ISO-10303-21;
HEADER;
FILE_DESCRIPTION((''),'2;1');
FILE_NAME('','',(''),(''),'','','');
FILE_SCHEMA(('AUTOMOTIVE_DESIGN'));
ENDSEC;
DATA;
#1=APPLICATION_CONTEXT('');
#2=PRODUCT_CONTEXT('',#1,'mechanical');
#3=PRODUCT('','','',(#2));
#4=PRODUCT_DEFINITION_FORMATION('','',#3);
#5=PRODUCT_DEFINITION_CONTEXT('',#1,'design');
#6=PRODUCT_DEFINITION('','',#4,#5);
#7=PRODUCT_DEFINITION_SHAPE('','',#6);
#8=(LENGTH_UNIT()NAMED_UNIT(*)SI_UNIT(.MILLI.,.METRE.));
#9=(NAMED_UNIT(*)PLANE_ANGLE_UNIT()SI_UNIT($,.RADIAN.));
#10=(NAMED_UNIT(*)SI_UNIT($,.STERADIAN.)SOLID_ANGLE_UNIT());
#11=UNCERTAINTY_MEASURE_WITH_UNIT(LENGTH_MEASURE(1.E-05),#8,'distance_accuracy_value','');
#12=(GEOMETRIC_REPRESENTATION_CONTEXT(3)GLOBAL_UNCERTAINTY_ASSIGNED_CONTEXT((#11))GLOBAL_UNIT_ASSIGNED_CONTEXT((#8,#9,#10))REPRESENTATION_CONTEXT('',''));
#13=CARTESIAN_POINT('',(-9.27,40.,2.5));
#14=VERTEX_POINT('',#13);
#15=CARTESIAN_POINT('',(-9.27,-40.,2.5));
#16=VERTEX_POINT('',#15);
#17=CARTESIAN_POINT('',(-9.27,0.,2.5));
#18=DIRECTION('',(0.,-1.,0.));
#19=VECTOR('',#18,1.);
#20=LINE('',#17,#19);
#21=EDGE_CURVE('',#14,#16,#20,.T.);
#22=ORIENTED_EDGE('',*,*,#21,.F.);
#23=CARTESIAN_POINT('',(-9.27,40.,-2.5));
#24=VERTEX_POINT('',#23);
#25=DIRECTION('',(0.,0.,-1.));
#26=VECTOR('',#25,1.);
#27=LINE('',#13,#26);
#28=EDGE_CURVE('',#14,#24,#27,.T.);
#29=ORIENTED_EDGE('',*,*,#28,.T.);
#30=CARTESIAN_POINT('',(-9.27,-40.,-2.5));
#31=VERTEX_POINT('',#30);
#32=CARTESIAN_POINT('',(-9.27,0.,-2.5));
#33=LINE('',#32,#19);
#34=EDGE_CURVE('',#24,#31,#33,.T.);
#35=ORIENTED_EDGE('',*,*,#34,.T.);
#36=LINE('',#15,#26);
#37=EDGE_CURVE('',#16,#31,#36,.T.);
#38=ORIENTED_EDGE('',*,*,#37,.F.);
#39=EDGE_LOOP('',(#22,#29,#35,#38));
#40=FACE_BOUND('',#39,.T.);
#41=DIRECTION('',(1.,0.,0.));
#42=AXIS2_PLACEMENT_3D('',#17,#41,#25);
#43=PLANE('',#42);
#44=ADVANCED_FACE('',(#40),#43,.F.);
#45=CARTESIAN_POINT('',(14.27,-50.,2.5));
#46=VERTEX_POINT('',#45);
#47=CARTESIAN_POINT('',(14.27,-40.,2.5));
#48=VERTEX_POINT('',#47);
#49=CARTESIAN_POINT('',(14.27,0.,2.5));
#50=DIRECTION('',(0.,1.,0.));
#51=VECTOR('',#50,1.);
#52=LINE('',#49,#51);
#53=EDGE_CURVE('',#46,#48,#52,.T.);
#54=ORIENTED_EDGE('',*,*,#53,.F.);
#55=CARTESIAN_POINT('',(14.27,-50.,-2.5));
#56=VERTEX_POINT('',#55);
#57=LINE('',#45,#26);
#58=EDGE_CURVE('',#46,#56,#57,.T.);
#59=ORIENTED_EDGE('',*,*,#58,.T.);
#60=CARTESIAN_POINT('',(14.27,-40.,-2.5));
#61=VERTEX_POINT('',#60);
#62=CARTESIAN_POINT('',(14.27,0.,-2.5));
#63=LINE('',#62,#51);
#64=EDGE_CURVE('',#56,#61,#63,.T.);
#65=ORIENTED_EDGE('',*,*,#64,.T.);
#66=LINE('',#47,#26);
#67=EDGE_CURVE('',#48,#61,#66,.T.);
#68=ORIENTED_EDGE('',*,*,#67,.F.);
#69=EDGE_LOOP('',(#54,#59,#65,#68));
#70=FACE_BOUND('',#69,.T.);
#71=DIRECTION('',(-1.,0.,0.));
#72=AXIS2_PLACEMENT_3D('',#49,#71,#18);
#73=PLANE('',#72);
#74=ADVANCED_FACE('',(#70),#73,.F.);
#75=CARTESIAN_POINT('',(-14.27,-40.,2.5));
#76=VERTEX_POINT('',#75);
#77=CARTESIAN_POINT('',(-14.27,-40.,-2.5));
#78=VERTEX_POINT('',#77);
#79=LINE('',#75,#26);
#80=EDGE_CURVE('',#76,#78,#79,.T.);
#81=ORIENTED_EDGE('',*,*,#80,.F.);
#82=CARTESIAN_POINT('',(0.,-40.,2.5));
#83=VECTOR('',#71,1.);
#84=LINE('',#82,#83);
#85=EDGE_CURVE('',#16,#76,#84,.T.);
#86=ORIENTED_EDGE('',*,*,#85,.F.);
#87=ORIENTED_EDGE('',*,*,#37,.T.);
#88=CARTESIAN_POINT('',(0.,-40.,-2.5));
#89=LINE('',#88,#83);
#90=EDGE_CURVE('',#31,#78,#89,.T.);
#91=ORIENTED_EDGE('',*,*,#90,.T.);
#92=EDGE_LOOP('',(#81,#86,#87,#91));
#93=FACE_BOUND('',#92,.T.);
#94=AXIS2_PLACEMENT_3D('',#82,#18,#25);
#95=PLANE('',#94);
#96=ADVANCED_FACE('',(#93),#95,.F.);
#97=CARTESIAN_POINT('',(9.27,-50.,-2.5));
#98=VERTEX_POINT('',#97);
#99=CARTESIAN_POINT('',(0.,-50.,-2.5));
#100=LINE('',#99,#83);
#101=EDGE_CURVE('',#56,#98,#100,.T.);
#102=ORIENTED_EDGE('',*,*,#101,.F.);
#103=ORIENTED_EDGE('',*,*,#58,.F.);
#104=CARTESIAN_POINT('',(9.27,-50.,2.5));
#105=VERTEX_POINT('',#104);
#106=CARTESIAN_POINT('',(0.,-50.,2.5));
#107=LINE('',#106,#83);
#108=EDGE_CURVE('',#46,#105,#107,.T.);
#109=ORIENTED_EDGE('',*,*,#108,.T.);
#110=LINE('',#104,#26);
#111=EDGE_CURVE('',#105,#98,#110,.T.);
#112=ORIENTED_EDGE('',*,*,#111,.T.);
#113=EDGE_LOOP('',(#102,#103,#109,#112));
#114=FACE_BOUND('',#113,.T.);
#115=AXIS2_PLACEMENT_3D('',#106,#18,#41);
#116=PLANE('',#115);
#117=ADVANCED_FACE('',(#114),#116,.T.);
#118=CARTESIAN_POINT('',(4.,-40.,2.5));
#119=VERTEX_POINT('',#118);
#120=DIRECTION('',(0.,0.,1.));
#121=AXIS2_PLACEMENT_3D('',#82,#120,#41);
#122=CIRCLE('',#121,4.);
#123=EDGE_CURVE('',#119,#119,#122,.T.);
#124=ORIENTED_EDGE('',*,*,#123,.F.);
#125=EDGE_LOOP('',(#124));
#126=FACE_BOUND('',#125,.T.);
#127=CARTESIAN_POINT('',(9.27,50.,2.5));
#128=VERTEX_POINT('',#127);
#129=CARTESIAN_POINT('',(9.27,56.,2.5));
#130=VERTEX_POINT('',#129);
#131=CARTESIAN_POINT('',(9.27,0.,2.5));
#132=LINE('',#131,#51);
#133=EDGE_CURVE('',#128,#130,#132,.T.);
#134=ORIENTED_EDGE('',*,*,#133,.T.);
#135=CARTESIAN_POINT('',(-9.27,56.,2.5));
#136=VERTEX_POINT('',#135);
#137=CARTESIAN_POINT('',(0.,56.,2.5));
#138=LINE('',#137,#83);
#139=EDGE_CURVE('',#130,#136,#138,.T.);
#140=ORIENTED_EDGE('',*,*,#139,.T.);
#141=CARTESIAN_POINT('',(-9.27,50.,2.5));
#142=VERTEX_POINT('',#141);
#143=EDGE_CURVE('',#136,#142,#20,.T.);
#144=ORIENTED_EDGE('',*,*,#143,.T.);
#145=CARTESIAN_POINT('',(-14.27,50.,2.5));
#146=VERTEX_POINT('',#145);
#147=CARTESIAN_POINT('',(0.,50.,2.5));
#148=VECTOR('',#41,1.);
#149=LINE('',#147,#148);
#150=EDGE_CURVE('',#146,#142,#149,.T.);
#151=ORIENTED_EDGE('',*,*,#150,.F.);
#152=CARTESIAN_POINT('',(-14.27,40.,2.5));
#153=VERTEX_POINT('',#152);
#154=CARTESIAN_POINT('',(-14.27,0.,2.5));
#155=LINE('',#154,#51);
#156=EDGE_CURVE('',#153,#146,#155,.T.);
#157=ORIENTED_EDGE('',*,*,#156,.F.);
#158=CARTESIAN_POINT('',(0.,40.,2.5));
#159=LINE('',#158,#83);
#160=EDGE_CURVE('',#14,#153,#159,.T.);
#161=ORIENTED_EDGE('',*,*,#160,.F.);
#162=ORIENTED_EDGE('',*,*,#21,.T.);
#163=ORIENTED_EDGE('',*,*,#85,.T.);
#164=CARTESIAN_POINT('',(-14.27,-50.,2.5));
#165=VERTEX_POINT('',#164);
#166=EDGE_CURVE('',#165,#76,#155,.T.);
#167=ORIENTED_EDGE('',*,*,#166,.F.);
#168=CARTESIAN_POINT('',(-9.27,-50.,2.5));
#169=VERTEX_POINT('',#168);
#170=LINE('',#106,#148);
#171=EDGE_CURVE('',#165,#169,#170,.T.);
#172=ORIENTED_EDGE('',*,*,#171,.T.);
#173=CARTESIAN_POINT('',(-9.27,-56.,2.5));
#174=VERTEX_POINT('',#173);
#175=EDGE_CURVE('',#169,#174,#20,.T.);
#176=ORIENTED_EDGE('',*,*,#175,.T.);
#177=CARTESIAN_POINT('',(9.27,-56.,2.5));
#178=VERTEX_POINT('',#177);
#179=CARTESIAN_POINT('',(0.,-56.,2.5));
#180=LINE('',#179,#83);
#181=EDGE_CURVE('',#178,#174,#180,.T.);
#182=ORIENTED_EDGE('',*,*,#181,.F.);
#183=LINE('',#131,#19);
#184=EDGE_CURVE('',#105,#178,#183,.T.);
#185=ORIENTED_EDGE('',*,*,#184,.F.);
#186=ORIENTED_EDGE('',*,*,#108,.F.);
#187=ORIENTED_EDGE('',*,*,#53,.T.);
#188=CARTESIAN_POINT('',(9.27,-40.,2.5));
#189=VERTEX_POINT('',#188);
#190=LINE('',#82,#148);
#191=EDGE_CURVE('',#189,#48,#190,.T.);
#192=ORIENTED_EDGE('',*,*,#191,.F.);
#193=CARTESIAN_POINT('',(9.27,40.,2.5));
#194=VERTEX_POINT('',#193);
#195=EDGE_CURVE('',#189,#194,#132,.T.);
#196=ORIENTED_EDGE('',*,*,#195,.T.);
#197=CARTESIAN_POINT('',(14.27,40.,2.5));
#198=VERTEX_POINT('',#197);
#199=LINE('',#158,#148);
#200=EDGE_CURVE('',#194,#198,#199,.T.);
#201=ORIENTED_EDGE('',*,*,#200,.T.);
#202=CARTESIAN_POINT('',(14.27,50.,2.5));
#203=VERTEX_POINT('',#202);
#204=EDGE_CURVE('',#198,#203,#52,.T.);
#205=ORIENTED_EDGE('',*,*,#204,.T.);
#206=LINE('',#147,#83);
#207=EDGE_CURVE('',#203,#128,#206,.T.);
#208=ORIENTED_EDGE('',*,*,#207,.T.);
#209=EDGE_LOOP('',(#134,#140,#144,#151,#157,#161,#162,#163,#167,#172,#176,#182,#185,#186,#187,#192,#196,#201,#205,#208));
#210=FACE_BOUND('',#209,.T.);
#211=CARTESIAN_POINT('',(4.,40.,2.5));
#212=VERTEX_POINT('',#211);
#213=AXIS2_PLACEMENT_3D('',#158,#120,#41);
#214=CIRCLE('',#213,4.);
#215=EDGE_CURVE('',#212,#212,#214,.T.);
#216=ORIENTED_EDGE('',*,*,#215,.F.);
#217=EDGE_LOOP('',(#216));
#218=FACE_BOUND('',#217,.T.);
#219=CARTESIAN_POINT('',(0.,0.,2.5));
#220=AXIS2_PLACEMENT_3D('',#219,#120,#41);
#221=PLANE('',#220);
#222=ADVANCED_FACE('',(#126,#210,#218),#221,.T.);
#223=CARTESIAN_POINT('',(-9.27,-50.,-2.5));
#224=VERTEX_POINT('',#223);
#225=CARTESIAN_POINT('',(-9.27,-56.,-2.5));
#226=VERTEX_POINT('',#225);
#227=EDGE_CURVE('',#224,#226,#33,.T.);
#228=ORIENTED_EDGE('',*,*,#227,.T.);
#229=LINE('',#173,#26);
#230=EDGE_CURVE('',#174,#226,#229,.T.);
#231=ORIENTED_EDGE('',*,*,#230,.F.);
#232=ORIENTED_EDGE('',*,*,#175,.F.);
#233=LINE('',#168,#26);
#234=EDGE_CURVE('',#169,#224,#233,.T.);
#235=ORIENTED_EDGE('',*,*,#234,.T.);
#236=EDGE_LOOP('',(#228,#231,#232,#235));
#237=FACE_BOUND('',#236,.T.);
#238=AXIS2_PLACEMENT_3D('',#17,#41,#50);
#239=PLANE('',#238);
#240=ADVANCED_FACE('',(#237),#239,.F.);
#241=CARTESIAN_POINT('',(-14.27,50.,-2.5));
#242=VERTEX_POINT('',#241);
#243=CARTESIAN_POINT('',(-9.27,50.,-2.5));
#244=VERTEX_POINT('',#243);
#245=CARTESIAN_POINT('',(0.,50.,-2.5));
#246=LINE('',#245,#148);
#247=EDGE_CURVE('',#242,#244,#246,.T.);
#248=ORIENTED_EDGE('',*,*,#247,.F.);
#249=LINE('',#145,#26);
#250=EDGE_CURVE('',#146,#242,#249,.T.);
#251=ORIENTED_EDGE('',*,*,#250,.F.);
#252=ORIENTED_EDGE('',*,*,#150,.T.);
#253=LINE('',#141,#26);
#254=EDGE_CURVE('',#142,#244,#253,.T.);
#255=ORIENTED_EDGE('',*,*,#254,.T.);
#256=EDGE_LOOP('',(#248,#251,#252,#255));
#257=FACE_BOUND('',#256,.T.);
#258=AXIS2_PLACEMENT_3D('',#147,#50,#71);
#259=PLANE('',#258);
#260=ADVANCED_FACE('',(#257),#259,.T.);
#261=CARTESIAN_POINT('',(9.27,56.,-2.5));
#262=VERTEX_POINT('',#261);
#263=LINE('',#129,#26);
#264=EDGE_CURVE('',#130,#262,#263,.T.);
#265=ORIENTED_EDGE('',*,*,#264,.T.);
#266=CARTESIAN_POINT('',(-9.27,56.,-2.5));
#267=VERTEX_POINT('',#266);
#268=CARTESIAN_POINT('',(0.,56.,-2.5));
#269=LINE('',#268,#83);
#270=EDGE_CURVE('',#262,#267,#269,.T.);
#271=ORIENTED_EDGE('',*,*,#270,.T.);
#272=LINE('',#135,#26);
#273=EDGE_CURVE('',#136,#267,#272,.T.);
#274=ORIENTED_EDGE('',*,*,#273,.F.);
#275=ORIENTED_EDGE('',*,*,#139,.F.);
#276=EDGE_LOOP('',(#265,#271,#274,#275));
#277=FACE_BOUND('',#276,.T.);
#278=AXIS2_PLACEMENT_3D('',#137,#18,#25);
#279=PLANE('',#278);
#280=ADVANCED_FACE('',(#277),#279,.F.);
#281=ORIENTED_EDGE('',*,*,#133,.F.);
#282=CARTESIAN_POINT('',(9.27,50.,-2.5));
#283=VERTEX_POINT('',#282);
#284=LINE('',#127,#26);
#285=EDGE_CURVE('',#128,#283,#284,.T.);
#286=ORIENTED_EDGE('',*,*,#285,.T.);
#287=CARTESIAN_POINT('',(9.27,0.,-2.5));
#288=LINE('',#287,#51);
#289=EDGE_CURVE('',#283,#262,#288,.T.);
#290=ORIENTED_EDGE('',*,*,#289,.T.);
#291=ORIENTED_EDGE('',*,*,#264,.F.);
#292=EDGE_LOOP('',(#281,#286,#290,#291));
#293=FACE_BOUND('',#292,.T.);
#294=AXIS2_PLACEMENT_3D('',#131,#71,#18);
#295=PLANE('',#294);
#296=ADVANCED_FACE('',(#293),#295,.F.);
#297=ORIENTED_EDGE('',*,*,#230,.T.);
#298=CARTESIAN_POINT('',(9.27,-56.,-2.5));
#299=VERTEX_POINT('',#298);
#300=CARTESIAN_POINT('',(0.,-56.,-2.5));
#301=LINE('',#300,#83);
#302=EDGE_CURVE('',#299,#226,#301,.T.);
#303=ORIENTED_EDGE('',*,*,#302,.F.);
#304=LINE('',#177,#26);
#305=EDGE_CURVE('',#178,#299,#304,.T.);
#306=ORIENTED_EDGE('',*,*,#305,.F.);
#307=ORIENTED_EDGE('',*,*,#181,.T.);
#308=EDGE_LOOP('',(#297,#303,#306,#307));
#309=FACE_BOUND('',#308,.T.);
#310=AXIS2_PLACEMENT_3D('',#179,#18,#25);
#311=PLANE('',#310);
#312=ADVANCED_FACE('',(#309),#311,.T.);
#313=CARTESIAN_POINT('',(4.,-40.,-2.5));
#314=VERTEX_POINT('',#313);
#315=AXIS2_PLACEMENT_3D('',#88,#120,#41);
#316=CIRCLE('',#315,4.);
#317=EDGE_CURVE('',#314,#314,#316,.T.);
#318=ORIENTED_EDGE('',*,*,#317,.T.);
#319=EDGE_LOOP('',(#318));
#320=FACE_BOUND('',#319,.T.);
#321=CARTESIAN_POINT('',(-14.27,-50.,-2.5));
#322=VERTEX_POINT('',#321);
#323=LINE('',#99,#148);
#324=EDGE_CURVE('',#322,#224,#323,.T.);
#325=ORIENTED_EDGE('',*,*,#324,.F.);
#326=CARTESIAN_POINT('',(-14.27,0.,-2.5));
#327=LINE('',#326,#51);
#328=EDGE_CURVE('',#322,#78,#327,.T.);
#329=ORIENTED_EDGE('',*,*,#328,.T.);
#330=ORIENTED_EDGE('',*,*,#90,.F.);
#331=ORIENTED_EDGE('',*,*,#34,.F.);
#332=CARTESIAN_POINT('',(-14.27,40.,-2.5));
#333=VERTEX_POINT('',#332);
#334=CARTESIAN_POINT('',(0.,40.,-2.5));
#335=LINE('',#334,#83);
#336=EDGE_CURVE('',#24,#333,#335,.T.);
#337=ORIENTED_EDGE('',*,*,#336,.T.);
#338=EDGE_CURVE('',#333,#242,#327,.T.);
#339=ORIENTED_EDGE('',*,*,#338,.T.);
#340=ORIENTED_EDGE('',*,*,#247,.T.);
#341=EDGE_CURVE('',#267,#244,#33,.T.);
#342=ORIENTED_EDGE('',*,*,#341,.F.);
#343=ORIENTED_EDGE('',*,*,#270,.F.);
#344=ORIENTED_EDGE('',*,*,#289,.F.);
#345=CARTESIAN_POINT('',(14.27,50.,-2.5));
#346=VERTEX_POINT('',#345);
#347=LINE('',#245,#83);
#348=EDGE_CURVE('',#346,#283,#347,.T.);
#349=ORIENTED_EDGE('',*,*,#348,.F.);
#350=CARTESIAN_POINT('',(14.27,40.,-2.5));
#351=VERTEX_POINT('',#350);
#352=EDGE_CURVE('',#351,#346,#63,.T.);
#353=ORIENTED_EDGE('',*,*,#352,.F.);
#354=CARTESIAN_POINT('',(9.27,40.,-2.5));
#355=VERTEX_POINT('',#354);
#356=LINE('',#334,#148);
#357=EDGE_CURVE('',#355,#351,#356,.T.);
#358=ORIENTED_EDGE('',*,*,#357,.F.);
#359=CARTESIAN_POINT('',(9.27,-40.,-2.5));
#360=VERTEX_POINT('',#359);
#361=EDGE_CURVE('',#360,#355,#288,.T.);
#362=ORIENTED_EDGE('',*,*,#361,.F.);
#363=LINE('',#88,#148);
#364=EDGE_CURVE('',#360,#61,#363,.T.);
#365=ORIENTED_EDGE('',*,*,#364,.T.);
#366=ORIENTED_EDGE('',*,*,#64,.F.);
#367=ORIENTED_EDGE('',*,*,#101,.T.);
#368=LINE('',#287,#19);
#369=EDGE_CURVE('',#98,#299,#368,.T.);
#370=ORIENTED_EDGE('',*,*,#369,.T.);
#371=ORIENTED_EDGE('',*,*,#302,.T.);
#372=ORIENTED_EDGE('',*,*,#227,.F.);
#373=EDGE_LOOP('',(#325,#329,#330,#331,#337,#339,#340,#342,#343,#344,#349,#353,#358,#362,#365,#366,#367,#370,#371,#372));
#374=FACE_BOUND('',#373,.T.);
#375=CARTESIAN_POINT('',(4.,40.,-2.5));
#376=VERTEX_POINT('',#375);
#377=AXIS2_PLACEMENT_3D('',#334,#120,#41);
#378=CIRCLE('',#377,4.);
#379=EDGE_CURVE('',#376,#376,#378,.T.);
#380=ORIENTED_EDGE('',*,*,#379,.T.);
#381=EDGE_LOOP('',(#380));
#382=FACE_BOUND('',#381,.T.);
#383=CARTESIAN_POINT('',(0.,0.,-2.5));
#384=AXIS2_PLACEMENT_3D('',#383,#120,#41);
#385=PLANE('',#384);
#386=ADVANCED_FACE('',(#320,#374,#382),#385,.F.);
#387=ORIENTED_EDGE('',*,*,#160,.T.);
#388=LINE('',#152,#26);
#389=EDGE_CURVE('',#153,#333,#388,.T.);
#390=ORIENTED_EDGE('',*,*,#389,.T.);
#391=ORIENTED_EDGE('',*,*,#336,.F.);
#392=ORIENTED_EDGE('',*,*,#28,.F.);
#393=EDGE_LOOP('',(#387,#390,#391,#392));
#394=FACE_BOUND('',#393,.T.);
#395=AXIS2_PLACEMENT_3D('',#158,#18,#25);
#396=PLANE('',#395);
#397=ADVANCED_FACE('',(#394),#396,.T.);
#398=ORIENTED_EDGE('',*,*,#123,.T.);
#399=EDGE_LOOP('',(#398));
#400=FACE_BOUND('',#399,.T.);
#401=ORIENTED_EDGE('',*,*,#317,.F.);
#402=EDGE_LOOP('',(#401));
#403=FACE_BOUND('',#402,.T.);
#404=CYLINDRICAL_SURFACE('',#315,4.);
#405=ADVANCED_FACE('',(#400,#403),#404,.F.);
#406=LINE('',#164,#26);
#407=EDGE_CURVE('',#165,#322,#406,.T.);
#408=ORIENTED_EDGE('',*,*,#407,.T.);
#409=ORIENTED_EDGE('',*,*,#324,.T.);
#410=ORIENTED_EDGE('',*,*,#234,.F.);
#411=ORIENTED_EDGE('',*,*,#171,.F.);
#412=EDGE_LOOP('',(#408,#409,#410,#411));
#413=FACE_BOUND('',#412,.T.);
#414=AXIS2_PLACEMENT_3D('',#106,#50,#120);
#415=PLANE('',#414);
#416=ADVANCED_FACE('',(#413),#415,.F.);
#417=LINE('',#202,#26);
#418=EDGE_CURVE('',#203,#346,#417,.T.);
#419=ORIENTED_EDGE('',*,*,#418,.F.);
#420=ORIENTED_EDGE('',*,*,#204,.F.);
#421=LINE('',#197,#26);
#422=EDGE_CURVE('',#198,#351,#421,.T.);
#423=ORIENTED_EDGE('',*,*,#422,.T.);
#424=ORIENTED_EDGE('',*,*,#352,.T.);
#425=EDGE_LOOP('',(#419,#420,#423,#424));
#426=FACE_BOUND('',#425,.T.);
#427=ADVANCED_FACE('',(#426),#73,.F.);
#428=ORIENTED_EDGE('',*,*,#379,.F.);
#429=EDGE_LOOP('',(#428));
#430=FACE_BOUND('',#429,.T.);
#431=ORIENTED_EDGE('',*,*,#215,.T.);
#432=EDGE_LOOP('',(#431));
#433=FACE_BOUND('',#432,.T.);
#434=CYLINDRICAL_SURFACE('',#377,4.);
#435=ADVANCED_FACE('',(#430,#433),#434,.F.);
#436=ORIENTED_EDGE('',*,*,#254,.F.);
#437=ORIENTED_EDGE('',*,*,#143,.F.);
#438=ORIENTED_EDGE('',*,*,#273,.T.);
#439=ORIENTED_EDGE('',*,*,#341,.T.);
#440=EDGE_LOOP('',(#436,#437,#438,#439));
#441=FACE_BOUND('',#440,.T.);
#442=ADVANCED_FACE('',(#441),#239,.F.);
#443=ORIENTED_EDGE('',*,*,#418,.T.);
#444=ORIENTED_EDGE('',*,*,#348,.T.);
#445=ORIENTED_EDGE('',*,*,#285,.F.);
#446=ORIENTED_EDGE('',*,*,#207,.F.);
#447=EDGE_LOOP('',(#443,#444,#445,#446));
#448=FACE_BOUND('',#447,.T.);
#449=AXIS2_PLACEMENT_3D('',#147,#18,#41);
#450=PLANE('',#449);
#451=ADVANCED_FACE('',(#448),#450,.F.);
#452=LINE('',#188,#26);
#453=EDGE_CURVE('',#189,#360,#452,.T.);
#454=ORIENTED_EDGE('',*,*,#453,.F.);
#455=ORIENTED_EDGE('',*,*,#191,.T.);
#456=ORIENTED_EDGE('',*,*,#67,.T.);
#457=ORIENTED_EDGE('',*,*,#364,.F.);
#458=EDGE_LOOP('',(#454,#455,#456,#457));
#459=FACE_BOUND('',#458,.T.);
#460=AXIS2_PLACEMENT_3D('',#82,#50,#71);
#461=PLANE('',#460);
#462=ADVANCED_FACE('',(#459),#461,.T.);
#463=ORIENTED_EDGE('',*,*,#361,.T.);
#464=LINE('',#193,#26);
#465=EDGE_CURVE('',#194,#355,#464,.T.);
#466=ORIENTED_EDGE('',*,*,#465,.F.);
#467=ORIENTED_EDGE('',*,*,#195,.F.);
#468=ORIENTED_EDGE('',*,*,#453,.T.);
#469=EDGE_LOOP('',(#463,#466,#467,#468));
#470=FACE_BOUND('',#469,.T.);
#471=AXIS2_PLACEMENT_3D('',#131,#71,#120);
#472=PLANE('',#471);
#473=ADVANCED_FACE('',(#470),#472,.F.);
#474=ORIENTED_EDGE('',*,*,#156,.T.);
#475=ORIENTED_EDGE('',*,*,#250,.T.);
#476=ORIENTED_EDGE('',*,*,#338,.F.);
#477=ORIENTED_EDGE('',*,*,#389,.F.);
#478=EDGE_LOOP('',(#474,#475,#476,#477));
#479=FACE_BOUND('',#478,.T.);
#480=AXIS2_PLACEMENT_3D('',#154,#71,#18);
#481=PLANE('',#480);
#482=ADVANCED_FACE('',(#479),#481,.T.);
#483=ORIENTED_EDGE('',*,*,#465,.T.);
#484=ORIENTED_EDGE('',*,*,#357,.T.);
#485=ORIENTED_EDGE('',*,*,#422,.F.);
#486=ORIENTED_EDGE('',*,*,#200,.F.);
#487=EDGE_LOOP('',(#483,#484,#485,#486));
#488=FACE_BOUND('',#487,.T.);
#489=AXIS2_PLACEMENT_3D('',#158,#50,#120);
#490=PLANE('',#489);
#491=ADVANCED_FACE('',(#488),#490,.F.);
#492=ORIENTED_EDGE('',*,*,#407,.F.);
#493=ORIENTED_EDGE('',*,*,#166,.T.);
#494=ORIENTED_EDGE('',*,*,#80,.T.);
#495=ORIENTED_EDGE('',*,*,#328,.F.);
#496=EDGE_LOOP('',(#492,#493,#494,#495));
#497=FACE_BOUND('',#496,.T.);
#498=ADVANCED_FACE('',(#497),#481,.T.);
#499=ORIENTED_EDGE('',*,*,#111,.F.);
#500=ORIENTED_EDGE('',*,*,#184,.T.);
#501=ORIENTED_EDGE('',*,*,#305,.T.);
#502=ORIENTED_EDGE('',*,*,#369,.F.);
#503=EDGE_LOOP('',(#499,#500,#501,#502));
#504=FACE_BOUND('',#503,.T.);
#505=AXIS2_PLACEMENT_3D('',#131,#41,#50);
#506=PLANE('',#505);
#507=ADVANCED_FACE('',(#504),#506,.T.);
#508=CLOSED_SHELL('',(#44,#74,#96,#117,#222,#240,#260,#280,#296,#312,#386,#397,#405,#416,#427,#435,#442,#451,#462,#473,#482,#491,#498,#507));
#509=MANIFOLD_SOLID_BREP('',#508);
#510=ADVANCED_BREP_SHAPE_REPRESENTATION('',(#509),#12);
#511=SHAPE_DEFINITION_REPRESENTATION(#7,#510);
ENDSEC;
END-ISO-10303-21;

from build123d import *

# Parameters (mm, degrees)
BOSS_EXTRUDE1_DEPTH = 2.5
SKETCH3_R           = 4
CUT_EXTRUDE2_DEPTH  = 5


with BuildPart() as part:
    # Sketch1 → Boss-Extrude1 (new, symmetric)
    with BuildSketch(Plane(origin=(0, 0, 0), x_dir=(0, 1, 0), z_dir=(0, 0, 1))):
        Polygon((-56, 9.27), (-56, -9.27), (-50, -9.27), (-50, -12.741071429), (-50, -14.27), (-40, -14.27), (-40, -10.192857143), (-40, -9.27), (40, -9.27), (40, -10.192857143), (40, -14.27), (50, -14.27), (50, -9.27), (56, -9.27), (56, 9.27), (50, 9.27), (50, 14.27), (40, 14.27), (40, 9.27), (-40, 9.27), (-40, 10.192857143), (-40, 14.27), (-50, 14.27), (-50, 12.741071429), (-50, 9.27), align=None)
    extrude(amount=BOSS_EXTRUDE1_DEPTH, both=True)

    # Sketch3 → Cut-Extrude2 (cut)
    with BuildSketch(Plane.XY.offset(2.5)):
        with Locations((0, 40)):
            Circle(SKETCH3_R)
        with Locations((0, -40)):
            Circle(SKETCH3_R)
    extrude(amount=-CUT_EXTRUDE2_DEPTH, mode=Mode.SUBTRACT)


solid = part.part
